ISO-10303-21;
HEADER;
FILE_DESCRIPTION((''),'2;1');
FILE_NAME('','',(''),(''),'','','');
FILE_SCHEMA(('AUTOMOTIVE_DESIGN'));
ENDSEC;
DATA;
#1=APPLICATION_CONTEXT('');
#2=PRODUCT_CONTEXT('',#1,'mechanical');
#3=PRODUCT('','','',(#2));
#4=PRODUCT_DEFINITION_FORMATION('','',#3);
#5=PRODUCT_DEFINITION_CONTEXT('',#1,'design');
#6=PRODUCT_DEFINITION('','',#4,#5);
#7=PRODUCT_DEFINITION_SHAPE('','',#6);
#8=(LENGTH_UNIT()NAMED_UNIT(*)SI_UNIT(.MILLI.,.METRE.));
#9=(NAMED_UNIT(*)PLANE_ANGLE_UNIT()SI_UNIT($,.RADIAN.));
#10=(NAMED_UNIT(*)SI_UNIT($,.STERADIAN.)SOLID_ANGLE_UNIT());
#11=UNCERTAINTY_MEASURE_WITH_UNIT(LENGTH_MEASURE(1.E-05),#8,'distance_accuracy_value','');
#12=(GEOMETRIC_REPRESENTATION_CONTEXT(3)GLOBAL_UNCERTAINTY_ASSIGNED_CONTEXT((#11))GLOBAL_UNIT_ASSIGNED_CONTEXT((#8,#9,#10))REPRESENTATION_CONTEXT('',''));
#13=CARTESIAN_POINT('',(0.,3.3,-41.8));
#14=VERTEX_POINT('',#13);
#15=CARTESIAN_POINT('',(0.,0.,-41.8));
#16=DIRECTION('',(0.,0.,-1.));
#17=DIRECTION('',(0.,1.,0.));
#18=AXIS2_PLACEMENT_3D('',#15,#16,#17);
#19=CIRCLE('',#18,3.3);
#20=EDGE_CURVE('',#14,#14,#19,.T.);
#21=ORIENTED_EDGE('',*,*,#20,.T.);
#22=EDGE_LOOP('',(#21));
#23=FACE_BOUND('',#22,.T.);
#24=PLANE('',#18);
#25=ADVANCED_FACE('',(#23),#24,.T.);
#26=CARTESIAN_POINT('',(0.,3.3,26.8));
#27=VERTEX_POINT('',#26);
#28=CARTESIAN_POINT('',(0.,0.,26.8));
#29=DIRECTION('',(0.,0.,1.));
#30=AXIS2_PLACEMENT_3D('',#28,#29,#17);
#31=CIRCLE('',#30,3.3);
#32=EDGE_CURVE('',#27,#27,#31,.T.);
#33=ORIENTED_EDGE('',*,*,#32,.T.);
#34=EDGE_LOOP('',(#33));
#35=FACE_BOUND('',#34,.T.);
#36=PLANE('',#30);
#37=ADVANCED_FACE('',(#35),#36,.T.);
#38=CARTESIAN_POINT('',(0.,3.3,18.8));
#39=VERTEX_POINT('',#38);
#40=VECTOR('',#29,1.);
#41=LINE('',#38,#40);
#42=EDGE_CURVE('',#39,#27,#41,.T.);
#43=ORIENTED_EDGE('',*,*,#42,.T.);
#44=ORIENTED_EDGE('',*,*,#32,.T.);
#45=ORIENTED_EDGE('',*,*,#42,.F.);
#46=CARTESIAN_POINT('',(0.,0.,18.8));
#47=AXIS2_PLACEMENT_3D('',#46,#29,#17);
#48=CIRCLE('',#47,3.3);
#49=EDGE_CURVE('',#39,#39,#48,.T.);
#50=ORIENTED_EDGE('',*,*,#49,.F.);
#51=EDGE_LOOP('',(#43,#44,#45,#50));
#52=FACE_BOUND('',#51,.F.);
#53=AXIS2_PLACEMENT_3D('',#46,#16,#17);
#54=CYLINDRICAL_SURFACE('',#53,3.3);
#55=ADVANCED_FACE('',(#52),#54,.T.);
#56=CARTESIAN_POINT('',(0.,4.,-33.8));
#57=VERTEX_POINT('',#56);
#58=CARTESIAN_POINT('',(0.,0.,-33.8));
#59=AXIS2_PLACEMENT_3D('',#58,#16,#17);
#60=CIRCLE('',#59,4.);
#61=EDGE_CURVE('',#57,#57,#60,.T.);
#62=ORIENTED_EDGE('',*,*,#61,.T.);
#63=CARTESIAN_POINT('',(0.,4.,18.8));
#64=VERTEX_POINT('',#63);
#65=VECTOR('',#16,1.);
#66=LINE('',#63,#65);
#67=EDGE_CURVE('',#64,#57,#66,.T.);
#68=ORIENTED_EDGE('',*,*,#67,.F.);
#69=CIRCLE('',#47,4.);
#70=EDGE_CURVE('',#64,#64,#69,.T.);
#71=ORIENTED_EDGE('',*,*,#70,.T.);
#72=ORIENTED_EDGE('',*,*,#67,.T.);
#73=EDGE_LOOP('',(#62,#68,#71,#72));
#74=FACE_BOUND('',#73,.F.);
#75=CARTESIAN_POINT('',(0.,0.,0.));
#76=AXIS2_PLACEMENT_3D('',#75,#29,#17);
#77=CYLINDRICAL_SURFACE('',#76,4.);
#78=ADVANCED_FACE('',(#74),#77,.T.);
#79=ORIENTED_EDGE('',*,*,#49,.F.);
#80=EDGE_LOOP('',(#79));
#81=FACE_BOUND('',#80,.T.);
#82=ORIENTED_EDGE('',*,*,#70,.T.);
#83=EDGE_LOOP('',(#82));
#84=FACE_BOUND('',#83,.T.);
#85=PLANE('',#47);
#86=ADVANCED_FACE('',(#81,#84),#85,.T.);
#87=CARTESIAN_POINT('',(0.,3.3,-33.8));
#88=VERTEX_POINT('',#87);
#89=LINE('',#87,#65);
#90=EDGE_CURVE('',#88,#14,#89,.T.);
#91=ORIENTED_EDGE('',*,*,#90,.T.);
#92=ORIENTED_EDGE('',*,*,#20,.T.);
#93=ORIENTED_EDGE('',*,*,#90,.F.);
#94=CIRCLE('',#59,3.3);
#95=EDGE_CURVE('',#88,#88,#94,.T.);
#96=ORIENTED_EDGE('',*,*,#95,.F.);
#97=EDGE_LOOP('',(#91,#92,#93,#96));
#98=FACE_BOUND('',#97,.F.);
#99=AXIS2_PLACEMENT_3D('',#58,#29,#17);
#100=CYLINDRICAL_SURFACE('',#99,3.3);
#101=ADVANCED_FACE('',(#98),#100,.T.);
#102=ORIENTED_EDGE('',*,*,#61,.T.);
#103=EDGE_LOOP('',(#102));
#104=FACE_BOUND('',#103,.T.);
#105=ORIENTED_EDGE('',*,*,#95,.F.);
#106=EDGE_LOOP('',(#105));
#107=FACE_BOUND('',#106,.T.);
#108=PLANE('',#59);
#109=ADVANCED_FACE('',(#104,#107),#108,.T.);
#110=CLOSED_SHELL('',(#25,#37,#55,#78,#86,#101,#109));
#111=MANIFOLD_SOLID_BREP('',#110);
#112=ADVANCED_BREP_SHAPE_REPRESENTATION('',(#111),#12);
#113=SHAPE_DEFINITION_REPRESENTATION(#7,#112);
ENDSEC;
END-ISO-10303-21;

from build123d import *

# Parameters (mm, degrees)
SKETCH042_R       = 4
PAD018_DEPTH      = 18.8
SKETCH045_R       = 3.3
PAD019_DEPTH      = 8
SKETCH050_R       = 4
PAD021_DEPTH      = 33.8
CYLINDER003_R     = 3.3
CYLINDER003_DEPTH = 8


with BuildPart() as part:
    # Sketch042 (on DatumPlane) → Pad018 (new body)
    with BuildSketch(Plane(origin=(0, 0, 18.8), x_dir=(0, 1, 0), z_dir=(0, 0, 1))):
        Circle(SKETCH042_R)
    extrude(amount=-PAD018_DEPTH)

    # Sketch045 (on Face2 of Pad018) → Pad019 (join)
    with BuildSketch(Plane(origin=(0, 0, 18.8), x_dir=(0, 1, 0), z_dir=(0, 0, 1))):
        Circle(SKETCH045_R)
    extrude(amount=PAD019_DEPTH)

    # Sketch050 (on Face3 of Pad019) → Pad021 (join)
    with BuildSketch(Plane.YX):
        Circle(SKETCH050_R)
    extrude(amount=PAD021_DEPTH)

    # Cylinder003 → Cylinder003 (join)
    with BuildSketch(Plane.YX.offset(33.8)):
        Circle(CYLINDER003_R)
    extrude(amount=CYLINDER003_DEPTH)


solid = part.part
